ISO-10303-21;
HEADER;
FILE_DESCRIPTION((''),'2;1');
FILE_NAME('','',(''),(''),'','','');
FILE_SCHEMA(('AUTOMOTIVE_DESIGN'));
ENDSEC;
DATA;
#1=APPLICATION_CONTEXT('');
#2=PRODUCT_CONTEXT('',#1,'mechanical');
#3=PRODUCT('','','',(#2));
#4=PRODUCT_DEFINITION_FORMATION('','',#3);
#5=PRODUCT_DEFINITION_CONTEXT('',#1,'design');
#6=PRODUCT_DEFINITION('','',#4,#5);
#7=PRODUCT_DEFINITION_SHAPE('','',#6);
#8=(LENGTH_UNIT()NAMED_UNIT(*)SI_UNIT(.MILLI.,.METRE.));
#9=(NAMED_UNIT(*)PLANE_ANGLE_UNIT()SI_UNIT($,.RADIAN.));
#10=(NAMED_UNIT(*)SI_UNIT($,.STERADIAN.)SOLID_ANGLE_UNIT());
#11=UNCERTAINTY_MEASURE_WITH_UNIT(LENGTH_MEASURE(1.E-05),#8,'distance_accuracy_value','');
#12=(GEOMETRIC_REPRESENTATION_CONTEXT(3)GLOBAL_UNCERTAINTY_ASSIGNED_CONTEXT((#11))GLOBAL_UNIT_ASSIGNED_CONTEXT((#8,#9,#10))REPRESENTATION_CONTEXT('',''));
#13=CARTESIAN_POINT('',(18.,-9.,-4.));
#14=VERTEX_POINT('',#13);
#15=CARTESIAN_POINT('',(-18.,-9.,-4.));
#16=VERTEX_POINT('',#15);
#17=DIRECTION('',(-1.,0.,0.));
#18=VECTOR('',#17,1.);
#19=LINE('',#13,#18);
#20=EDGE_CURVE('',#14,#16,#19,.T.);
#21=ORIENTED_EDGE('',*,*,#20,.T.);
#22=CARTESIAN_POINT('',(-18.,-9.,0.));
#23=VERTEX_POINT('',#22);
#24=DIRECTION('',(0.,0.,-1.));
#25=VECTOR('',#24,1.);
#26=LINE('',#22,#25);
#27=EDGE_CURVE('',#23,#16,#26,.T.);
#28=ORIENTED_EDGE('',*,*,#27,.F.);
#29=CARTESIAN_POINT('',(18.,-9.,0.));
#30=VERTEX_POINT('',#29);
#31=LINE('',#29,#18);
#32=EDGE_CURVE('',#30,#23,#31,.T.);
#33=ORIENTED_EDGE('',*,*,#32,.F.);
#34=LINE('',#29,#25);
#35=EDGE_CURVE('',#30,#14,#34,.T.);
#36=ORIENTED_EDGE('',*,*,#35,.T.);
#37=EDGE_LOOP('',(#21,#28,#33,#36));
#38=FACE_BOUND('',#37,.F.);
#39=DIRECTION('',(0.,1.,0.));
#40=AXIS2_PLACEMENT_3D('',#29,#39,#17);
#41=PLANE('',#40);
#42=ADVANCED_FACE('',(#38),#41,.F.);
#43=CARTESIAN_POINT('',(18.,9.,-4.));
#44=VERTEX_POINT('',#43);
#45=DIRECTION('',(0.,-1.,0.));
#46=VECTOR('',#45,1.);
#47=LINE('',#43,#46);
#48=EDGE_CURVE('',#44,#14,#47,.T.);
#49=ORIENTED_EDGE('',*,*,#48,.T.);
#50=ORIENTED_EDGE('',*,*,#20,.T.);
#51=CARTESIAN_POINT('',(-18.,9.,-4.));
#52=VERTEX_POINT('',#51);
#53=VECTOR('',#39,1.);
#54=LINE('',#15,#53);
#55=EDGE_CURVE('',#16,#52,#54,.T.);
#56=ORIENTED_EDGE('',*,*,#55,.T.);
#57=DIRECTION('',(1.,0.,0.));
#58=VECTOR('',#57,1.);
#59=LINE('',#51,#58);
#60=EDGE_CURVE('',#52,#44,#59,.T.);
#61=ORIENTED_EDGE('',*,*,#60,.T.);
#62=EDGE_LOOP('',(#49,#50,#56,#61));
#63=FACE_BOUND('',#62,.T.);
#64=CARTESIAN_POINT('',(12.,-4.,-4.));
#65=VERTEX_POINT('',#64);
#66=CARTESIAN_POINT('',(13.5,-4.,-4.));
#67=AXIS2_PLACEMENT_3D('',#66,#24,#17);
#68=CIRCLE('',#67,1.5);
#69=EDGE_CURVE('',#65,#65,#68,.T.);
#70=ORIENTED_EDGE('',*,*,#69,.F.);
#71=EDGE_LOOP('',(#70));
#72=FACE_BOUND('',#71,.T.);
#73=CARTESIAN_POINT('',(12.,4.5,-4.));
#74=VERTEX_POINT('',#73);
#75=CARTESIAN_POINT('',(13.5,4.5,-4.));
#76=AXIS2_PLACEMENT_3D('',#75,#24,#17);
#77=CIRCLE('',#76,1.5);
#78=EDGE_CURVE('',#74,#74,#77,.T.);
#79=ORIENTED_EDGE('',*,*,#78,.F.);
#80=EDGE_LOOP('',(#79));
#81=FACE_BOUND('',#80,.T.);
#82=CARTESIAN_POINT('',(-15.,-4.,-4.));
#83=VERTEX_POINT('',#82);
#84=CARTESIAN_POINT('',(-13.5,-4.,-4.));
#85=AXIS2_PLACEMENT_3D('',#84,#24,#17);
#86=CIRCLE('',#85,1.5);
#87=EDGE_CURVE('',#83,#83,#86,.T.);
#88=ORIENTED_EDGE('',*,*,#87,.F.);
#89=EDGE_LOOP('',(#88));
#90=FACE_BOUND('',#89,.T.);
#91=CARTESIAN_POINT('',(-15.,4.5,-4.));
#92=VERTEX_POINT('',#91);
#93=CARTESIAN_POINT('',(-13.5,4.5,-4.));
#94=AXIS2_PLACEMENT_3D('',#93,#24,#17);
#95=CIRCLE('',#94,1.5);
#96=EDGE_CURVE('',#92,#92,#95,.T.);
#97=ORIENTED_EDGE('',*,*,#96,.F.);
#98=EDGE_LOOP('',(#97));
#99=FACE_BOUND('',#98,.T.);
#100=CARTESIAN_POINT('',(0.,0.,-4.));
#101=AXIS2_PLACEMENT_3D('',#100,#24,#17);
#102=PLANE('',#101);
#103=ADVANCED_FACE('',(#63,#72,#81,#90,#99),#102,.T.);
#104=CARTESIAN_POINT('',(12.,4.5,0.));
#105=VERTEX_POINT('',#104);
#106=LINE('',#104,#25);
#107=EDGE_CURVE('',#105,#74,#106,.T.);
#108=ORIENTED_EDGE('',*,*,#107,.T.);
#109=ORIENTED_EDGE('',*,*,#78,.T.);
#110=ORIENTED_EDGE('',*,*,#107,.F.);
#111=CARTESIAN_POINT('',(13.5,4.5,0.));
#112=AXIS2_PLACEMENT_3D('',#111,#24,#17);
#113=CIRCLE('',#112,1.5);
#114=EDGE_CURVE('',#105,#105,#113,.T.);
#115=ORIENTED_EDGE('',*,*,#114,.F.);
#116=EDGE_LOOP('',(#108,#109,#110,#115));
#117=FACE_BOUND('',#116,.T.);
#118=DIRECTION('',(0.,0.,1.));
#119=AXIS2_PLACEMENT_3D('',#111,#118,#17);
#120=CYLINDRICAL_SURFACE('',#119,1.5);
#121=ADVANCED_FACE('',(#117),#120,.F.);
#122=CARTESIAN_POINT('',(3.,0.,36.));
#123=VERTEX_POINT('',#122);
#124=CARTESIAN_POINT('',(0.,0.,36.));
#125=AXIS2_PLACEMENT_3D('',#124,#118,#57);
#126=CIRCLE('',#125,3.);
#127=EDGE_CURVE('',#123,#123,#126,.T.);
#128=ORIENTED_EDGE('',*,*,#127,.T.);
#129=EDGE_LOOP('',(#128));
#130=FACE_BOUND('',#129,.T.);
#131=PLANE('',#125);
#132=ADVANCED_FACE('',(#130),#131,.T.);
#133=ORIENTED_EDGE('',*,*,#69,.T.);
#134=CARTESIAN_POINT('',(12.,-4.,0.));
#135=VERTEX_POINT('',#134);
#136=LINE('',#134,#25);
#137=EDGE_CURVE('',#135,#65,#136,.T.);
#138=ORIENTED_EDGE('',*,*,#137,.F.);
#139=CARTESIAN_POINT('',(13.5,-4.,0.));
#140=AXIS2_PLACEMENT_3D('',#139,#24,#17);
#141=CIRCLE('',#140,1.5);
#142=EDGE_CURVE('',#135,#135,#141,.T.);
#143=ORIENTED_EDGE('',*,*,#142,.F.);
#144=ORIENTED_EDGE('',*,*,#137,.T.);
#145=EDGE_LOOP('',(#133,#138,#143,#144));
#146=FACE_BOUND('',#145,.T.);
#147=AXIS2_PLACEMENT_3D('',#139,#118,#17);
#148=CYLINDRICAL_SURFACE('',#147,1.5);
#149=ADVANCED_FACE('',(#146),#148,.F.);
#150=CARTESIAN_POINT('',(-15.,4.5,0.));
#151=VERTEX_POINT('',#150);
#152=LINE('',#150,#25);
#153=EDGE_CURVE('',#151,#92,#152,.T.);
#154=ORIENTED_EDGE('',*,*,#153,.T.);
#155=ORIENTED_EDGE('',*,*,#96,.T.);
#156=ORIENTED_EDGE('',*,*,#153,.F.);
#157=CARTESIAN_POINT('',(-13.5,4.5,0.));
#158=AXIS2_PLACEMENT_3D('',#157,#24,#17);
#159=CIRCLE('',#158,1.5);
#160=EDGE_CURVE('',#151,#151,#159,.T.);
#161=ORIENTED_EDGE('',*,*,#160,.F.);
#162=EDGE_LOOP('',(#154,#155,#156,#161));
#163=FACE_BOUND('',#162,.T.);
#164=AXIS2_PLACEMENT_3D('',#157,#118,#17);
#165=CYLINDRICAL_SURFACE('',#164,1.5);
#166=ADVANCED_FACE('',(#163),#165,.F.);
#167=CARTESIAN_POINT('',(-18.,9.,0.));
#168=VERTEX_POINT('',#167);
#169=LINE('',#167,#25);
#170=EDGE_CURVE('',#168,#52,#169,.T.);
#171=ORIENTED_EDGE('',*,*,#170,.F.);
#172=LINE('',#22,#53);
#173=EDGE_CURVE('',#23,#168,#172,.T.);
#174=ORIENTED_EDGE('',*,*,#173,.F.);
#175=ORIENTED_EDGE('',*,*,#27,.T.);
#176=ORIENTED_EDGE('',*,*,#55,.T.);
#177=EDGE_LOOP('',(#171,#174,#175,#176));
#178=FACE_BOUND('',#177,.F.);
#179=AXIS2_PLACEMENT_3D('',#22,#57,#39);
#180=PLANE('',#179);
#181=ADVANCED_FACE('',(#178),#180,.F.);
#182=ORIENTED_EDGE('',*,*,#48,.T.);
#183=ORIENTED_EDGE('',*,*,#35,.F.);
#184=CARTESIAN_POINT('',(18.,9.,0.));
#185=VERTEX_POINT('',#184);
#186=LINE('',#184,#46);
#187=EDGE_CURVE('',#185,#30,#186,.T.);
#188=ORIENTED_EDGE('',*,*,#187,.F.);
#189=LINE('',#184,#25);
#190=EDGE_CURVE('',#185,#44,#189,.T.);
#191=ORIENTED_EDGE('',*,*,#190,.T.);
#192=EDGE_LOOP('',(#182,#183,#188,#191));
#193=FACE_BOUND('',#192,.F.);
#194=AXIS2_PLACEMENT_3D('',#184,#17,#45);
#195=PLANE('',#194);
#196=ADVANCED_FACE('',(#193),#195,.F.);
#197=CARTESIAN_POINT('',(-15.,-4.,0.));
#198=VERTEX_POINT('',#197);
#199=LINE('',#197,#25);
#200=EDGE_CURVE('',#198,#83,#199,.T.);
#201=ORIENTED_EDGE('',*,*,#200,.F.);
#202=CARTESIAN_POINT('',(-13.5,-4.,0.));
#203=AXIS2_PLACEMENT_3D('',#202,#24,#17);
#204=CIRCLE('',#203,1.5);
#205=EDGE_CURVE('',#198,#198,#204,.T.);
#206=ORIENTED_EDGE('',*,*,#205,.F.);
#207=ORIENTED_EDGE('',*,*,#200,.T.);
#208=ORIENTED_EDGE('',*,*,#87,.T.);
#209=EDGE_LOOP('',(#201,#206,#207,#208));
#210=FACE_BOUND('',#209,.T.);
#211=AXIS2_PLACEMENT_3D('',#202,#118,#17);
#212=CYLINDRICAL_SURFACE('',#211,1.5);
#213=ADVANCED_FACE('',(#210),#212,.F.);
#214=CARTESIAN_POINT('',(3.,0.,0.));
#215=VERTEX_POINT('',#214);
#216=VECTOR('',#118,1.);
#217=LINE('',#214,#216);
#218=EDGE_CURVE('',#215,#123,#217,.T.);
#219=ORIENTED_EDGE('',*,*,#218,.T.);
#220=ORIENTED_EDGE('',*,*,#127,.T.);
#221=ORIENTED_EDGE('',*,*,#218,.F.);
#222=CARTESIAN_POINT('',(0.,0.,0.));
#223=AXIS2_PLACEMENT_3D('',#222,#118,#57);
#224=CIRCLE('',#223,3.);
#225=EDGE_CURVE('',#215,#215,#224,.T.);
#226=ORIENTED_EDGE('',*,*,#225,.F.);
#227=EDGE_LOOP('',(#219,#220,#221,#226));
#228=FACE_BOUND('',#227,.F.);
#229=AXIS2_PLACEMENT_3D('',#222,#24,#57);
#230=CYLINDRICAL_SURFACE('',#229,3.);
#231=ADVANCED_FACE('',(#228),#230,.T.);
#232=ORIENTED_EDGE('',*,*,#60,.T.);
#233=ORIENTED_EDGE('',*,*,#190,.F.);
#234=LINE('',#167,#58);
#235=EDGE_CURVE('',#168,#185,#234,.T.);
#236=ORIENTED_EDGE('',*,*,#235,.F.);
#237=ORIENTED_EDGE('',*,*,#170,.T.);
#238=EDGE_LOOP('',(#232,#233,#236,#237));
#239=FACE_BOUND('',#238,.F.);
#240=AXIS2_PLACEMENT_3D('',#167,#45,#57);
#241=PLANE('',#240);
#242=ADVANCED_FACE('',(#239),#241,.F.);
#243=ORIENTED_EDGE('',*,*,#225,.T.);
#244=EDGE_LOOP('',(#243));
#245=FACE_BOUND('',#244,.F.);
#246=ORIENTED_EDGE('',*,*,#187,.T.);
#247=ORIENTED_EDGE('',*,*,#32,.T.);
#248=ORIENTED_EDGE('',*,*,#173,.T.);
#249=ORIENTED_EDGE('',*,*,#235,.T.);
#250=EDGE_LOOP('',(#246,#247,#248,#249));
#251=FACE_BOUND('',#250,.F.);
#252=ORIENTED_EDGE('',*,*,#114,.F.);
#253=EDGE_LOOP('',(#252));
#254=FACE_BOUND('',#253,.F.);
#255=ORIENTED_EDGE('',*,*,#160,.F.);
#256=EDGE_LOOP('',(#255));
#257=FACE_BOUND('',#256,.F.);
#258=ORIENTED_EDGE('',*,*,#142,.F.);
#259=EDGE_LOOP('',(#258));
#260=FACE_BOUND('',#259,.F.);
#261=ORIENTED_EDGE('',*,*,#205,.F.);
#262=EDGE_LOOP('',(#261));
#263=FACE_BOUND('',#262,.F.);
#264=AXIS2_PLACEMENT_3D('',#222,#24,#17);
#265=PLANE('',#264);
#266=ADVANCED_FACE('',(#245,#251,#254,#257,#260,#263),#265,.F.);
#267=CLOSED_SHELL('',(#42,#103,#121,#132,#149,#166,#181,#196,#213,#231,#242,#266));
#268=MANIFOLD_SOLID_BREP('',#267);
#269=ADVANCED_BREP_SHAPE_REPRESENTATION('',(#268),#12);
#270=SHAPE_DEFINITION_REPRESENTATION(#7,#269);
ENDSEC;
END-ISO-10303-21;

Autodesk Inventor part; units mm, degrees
ref_plane "YZ Plane" through (0, 0, 0) normal (1, 0, 0) x (0, 1, 0)
ref_plane "XZ Plane" through (0, 0, 0) normal (0, 1, 0) x (-1, 0, 0)
ref_plane "XY Plane" through (0, 0, 0) normal (0, 0, 1) x (1, 0, 0)
sketch "Эскиз1" plane through (0, 0, 0) normal (0, 0, 1) x (1, 0, 0)
  circle A0 centre (0, 0) radius 3
  dimension "d0" = 6
extrude "Выдавливание1" add sketch "Эскиз1" along normal blind 36
sketch "Эскиз2" plane through (0, 0, 0) normal (0, 0, -1) x (-1, 0, 0)
  line L0 (-18, -9) -> (18, -9)
  line L1 (18, -9) -> (18, 9)
  line L2 (18, 9) -> (-18, 9)
  line L3 (-18, 9) -> (-18, -9)
  line L4 (-18, -9) -> (18, 9) construction
  line L5 (18, -9) -> (-18, 9) construction
  line L6 (0, 9) -> (0, 0) construction
  line L7 (0, 0) -> (0, -9) construction
  line L8 (0, 4.5) -> (-15, 4.5) construction
  line L9 (-15, 4.5) -> (-12, 4.5) construction
  circle A0 centre (-13.5, 4.5) radius 1.5
  line L10 (-13.5, 6) -> (-13.5, -5.5) construction
  line L11 (-13.5, -5.5) -> (-13.5, -2.5) construction
  circle A1 centre (-13.5, -4) radius 1.5
  circle A2 centre (13.5, 4.5) radius 1.5
  line L12 (13.5, 6) -> (13.5, -5.5) construction
  line L13 (13.5, -5.5) -> (13.5, -2.5) construction
  circle A3 centre (13.5, -4) radius 1.5
  dimension "d3" = 36
  dimension "d4" = 18
  dimension "d5" = 15
  dimension "d6" = 3
  dimension "d7" = 11.5
  dimension "d8" = 3
extrude "Выдавливание2" add sketch "Эскиз2" along normal blind 4
thread "Резьба1" size "M6x1" class "6g" standard "ANSI Metric M Profile" full length
properties part number "Male for pack"
